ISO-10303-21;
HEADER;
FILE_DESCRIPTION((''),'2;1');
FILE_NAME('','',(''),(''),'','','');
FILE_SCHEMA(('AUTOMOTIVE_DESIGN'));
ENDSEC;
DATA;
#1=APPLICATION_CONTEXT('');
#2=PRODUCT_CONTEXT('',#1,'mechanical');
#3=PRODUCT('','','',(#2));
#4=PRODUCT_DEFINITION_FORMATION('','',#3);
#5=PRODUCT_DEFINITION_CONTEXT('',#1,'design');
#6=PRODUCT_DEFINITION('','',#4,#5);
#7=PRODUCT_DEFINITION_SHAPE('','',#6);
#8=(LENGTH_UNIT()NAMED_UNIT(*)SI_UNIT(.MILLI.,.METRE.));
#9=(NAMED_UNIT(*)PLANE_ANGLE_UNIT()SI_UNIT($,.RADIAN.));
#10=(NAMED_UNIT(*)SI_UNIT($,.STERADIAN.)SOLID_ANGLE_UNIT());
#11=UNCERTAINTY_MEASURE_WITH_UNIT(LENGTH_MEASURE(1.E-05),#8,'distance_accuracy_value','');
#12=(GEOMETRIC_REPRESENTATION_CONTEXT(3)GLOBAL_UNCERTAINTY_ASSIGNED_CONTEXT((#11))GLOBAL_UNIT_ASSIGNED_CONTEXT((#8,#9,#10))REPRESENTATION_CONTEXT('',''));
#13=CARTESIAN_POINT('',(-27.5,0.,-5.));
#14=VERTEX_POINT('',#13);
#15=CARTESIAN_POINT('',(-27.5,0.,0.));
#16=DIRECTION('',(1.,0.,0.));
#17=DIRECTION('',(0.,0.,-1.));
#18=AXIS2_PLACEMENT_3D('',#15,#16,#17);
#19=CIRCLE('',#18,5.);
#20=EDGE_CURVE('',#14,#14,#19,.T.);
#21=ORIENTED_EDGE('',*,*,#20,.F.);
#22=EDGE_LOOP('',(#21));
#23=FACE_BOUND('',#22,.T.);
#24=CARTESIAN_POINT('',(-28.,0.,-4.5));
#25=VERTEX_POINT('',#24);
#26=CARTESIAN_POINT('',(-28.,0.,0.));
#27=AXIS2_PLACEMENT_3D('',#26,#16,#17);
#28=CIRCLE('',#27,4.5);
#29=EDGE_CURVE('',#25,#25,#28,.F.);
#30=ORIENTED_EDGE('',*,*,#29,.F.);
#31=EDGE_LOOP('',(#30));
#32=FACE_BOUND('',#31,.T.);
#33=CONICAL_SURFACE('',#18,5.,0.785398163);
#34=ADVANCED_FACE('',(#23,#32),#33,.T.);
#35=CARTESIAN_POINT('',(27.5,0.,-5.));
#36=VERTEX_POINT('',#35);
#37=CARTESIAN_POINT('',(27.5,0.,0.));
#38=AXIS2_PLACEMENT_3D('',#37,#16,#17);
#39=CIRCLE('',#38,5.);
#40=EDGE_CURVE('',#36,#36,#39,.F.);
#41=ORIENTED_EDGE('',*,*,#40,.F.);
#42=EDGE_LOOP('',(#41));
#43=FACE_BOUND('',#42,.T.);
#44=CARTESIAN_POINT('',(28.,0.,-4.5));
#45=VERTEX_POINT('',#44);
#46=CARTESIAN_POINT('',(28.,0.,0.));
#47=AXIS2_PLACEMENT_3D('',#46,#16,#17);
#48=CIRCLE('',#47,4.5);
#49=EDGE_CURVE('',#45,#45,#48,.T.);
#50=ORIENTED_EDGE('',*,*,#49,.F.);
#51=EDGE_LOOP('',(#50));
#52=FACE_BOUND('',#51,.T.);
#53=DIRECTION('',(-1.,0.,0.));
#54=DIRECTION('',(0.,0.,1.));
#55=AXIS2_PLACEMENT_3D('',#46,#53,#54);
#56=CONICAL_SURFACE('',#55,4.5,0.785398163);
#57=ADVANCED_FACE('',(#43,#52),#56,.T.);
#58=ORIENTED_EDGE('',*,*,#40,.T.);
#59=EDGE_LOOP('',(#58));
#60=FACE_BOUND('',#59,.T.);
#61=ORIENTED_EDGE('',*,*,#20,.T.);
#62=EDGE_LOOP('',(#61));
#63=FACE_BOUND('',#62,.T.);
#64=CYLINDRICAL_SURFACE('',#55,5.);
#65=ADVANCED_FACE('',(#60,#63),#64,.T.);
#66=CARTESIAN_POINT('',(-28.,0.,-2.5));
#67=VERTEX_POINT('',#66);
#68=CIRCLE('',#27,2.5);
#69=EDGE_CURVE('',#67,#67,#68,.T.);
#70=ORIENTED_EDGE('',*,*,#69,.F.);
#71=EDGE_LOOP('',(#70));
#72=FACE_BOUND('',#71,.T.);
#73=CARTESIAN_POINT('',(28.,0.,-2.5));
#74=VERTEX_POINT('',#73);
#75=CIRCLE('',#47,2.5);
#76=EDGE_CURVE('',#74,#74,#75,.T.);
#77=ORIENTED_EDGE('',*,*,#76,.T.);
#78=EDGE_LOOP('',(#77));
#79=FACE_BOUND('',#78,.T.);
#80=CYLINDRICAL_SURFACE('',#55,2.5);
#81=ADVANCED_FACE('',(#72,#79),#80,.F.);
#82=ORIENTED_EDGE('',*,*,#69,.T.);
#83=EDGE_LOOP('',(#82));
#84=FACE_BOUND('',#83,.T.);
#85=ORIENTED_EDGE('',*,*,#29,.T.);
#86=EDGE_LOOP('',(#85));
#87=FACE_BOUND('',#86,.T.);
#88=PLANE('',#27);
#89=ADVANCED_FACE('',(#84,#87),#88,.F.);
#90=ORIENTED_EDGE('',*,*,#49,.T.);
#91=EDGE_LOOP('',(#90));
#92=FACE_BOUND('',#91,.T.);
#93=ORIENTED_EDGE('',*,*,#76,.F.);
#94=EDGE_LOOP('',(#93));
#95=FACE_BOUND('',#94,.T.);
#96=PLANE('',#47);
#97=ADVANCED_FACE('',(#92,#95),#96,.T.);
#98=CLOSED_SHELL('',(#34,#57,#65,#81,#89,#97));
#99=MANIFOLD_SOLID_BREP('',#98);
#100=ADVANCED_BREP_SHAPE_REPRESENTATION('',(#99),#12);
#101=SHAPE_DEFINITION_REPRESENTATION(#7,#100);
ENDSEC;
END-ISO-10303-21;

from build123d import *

# Parameters (mm, degrees)
SKETCH1_R           = 5
SKETCH1_R_2         = 2.5
BOSS_EXTRUDE1_DEPTH = 28
CHAMFER1_SIZE       = 0.5


with BuildPart() as part:
    # Sketch1 → Boss-Extrude1 (new, symmetric)
    with BuildSketch(Plane(origin=(0, 0, 0), x_dir=(0, 0, -1), z_dir=(1, 0, 0))):
        Circle(SKETCH1_R)
        Circle(SKETCH1_R_2, mode=Mode.SUBTRACT)
    extrude(amount=BOSS_EXTRUDE1_DEPTH, both=True)

    # Chamfer1
    chamfer1_edges = [part.edges().sort_by_distance(p)[0] for p in [
        (-28, 0, 5),
        (28, 0, 5),
    ]]
    chamfer(chamfer1_edges, length=CHAMFER1_SIZE)


solid = part.part
